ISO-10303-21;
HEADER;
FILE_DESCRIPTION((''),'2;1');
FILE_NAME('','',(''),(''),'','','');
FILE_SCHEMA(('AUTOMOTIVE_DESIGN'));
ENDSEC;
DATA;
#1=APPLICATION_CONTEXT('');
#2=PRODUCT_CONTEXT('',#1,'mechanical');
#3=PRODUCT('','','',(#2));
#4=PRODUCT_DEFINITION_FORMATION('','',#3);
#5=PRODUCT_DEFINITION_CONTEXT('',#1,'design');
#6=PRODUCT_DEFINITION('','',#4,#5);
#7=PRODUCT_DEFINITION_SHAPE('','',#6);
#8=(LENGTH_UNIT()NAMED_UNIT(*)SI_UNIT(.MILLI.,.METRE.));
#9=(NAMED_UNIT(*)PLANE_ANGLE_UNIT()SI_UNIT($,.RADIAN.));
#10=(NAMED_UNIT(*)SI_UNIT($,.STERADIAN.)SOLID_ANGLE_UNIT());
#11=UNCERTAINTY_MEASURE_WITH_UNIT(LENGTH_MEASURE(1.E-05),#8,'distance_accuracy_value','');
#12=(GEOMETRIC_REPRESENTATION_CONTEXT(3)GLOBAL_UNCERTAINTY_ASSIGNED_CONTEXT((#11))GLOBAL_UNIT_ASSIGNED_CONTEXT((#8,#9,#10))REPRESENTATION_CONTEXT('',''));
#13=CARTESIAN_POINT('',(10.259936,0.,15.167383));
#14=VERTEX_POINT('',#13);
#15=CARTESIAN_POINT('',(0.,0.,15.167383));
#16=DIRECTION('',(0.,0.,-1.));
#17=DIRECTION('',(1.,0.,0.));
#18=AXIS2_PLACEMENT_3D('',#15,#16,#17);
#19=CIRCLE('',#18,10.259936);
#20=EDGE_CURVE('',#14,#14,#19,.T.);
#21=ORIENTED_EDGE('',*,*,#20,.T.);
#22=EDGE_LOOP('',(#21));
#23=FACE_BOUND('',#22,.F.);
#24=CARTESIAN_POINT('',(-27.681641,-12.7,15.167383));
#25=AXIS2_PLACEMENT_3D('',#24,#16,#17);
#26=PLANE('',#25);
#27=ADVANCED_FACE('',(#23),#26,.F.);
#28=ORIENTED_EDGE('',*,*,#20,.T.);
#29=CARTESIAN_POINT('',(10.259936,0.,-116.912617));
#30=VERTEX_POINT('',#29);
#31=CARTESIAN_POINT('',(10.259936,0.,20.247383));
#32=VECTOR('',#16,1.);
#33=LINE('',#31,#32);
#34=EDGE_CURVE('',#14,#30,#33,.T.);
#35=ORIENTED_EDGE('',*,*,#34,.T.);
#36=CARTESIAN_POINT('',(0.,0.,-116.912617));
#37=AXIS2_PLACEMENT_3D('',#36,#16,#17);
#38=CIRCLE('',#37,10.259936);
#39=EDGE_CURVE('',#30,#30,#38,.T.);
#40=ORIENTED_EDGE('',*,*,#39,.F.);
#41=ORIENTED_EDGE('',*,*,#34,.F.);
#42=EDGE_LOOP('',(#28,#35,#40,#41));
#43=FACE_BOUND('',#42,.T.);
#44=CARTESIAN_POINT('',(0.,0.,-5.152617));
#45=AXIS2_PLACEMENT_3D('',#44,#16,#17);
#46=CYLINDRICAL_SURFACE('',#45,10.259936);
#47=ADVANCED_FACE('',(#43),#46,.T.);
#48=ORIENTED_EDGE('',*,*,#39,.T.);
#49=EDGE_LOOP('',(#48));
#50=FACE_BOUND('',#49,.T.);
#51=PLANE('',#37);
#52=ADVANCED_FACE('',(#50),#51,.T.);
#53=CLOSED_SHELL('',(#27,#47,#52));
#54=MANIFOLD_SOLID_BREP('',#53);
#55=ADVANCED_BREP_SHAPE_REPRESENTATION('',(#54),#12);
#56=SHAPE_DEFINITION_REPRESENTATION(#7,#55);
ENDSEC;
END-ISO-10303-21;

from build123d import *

# Parameters (mm, degrees)
F1_DEPTH  = 12.7
F2_DEPTH  = 12.7
F3_R      = 10.2599361316
F4_DEPTH  = 127
F5_DEPTH  = 25.4
F6_DEPTH  = 12.7
F7_DEPTH  = 2.54
F8_DEPTH  = 25.4
F9_DEPTH  = 25.4
F10_DEPTH = 5.08


with BuildPart() as f1:
    # F0 (on Front) → F1 (new body)
    with BuildSketch(Plane.XZ):
        Polygon((28.0411653221, -5.1526171155), (28.0411653221, 20.8860766143), (16.4345689118, 20.8860766143), (-16.3516514003, 20.8860766143), (-27.6816412807, 20.8860766143), (-27.6816412807, -5.1526171155), align=None)
        Polygon((16.4345689118, 20.8860766143), (28.0411653221, 20.8860766143), (36.4657826722, 27.4914167821), (42.8281202912, 10.9493397176), (91.7288586497, 81.2863186002), (43.9798757434, 34.9366031587), (42.0971289277, 52.180416882), align=None)
        Polygon((-27.6816412807, 20.8860766143), (-16.3516514003, 20.8860766143), (-42.1405397356, 52.1064698696), (-43.9977906644, 34.9366031587), (-91.8636098504, 81.2863186002), (-42.8677536547, 10.9493397176), (-36.362465471, 27.4914167821), align=None)
    extrude(amount=F1_DEPTH)

    # F2 (add): a face of the model
    f2_faces = [f1.faces().sort_by_distance(p)[0] for p in [
        (26.0119318683, 0, 7.8667297494),
    ]]
    extrude(f2_faces, amount=F2_DEPTH)

    # F3 (on face) → F4 (join)
    with BuildSketch(Plane(origin=(0, 0, -5.1526171155), x_dir=(1, 0, 0), z_dir=(0, 0, -1))):
        Circle(F3_R)
    extrude(amount=F4_DEPTH)

    # F5 (cut): a face of the model
    f5_faces = [f1.faces().sort_by_distance(p)[0] for p in [
        (0, 0, -132.1526171155),
    ]]
    extrude(f5_faces, amount=-F5_DEPTH, mode=Mode.SUBTRACT)

    # F6 (add): a face of the model
    f6_faces = [f1.faces().sort_by_distance(p)[0] for p in [
        (0, 0, -106.7526171155),
    ]]
    extrude(f6_faces, amount=F6_DEPTH)

    # F7 (cut): a face of the model
    f7_faces = [f1.faces().sort_by_distance(p)[0] for p in [
        (0, 0, -119.4526171155),
    ]]
    extrude(f7_faces, amount=-F7_DEPTH, mode=Mode.SUBTRACT)

    # F8 (cut): a face of the model
    f8_faces = [f1.faces().sort_by_distance(p)[0] for p in [
        (26.0119318683, -12.7, 7.8667297494),
    ]]
    extrude(f8_faces, amount=-F8_DEPTH, mode=Mode.SUBTRACT)

    # F9 (add): a face of the model
    f9_faces = [f1.faces().sort_by_distance(p)[0] for p in [
        (0, 0, -5.1526171155),
    ]]
    extrude(f9_faces, amount=F9_DEPTH)

    # F10 (cut): a face of the model
    f10_faces = [f1.faces().sort_by_distance(p)[0] for p in [
        (0, 0, 20.2473828845),
    ]]
    extrude(f10_faces, amount=-F10_DEPTH, mode=Mode.SUBTRACT)


solid = f1.part
